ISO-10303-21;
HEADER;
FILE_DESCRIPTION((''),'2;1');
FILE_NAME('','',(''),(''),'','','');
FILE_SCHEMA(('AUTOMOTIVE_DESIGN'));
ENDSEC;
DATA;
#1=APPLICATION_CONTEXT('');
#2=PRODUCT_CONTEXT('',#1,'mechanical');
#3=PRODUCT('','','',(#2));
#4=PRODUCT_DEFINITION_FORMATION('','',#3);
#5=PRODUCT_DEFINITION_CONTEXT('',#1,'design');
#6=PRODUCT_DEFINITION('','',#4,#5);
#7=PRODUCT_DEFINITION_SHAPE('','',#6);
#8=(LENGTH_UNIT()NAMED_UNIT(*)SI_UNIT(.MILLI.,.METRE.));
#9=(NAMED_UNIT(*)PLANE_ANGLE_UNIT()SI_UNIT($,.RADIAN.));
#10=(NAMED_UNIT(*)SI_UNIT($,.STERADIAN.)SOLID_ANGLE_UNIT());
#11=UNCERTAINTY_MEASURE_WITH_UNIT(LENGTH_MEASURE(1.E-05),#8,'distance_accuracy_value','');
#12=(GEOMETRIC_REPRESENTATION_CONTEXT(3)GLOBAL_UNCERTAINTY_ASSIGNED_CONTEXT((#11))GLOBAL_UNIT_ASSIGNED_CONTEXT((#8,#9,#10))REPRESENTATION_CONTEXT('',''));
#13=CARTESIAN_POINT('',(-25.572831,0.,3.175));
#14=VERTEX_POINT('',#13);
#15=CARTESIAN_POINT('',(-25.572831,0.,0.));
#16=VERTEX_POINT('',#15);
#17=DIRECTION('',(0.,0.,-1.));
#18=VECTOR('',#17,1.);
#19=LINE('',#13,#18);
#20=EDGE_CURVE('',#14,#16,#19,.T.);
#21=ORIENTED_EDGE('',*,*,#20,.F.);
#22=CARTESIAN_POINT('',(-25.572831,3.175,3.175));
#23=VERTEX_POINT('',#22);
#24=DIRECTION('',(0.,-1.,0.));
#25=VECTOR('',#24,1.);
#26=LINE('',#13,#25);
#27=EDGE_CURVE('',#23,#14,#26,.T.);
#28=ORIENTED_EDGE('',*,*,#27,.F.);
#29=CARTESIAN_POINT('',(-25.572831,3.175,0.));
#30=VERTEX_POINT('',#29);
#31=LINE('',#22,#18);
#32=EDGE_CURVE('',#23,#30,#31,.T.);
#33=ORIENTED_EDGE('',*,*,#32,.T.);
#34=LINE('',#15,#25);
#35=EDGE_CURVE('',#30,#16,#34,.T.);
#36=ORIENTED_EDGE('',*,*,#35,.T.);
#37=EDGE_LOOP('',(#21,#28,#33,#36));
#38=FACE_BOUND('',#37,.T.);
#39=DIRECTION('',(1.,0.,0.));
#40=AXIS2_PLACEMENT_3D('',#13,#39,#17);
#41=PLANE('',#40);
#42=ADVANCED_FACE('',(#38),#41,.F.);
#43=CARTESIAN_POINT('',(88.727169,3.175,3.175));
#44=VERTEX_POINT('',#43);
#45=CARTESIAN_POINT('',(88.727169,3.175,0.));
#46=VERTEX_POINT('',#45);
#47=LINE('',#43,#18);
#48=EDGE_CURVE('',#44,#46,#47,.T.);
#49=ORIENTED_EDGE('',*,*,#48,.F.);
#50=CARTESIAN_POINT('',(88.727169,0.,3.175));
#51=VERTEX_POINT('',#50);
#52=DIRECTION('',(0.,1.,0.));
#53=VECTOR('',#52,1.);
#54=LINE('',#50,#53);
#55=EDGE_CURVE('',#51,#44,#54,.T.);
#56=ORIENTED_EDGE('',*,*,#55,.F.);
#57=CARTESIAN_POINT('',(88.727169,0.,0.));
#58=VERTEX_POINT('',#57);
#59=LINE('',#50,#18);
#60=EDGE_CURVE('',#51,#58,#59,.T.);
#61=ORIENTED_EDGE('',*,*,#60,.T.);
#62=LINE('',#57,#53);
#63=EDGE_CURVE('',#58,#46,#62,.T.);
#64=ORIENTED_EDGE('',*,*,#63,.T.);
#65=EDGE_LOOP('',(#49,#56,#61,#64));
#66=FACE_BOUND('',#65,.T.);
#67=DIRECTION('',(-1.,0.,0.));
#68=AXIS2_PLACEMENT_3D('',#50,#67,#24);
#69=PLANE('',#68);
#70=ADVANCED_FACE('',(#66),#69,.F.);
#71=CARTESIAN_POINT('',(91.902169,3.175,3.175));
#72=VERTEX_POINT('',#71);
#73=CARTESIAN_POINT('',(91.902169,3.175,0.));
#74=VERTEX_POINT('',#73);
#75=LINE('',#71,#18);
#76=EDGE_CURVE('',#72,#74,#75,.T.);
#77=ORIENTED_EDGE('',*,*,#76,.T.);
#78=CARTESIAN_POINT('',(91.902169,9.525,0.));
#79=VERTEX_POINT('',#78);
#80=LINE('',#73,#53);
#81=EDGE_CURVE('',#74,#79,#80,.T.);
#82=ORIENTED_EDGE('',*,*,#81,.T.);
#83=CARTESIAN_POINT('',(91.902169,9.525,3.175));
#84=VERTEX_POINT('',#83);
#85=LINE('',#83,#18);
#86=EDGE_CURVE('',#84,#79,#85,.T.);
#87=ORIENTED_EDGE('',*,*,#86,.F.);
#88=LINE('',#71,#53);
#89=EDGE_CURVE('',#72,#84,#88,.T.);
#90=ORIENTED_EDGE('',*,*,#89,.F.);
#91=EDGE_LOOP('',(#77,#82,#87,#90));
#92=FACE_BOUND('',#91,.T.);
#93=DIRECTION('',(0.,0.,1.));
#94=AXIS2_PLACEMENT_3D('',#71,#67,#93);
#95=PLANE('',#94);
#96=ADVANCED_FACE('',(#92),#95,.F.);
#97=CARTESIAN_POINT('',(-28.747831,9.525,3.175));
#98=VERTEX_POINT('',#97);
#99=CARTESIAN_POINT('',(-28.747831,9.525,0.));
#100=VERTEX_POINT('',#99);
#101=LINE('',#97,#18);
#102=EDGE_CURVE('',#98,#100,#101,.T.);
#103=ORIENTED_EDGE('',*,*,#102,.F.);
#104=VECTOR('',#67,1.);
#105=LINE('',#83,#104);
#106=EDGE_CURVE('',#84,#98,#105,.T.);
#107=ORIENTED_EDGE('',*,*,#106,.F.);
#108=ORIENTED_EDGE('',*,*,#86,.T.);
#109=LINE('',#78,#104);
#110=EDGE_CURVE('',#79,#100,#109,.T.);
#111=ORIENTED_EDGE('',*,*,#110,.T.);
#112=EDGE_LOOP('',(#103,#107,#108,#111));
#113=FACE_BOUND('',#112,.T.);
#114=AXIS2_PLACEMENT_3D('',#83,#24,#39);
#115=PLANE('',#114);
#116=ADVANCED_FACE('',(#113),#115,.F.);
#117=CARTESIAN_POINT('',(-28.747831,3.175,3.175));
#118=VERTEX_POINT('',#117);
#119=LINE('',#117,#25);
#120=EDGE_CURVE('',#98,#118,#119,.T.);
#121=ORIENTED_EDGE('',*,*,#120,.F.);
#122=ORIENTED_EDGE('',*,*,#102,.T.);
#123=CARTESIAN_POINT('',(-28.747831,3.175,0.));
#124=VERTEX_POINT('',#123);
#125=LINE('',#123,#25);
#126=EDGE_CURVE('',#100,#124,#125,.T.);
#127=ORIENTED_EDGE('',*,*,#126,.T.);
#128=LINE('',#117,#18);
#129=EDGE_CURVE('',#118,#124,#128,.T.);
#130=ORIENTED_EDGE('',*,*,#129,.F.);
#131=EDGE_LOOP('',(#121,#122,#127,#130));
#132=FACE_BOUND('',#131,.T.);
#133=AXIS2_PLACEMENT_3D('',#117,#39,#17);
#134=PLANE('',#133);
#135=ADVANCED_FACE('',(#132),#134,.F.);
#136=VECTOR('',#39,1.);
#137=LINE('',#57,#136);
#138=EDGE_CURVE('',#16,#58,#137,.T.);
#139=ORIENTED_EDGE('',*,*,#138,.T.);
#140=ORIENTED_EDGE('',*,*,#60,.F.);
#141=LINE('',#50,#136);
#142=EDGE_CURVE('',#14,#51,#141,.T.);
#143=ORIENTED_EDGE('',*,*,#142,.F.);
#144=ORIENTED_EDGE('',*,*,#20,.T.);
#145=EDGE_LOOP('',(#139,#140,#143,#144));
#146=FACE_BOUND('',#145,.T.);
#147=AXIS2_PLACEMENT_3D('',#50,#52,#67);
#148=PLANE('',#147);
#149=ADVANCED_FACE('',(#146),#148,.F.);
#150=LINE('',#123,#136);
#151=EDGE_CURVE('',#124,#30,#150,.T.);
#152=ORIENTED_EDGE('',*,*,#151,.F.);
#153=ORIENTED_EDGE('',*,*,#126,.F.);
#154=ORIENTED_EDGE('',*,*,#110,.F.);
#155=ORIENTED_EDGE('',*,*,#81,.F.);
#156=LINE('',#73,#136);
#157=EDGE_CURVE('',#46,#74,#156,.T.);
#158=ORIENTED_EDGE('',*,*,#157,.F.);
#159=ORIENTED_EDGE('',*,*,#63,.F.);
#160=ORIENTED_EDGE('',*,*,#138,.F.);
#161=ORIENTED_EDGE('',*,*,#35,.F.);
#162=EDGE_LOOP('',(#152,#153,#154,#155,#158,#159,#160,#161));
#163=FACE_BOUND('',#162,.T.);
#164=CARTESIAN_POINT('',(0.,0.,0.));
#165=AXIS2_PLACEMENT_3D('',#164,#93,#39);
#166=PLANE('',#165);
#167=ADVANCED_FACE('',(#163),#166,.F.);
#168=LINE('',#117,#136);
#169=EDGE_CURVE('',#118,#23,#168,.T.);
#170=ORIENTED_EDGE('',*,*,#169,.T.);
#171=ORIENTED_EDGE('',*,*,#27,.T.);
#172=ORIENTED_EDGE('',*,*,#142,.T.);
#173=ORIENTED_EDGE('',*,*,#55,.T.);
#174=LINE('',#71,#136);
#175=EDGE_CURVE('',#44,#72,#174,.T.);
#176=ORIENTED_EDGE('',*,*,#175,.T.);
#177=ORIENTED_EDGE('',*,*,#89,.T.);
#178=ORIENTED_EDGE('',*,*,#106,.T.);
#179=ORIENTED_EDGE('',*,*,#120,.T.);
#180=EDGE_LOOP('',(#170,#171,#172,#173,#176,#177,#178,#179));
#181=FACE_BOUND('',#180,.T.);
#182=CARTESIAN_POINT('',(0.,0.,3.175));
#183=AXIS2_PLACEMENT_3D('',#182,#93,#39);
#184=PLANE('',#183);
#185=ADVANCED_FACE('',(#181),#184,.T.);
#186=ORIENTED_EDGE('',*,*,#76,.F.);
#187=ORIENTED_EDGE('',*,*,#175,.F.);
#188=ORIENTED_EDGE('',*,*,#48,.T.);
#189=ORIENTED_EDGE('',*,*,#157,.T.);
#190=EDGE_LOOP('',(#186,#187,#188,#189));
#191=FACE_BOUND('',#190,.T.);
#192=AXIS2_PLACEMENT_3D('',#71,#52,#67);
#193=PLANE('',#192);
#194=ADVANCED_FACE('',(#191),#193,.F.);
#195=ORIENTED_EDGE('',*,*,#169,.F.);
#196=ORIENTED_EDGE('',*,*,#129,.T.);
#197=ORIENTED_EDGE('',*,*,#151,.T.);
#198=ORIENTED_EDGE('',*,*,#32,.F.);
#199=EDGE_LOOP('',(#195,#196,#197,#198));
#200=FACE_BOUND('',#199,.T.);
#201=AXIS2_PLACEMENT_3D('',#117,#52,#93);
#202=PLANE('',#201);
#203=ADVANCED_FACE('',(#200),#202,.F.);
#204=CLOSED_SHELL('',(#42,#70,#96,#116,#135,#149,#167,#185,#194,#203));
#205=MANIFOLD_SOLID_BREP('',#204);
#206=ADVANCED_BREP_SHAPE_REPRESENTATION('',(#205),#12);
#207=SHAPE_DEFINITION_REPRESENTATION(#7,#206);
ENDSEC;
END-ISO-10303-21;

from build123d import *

# Parameters (mm, degrees)
BOSS_EXTRUDE1_DEPTH = 3.175


with BuildPart() as part:
    # Sketch1 → Boss-Extrude1 (new body)
    with BuildSketch(Plane.XY):
        Polygon((88.727168707, 0), (-25.572831293, 0), (-25.572831293, 3.175), (-28.747831293, 3.175), (-28.747831293, 9.525), (91.902168707, 9.525), (91.902168707, 3.175), (88.727168707, 3.175), align=None)
    extrude(amount=BOSS_EXTRUDE1_DEPTH)


solid = part.part
